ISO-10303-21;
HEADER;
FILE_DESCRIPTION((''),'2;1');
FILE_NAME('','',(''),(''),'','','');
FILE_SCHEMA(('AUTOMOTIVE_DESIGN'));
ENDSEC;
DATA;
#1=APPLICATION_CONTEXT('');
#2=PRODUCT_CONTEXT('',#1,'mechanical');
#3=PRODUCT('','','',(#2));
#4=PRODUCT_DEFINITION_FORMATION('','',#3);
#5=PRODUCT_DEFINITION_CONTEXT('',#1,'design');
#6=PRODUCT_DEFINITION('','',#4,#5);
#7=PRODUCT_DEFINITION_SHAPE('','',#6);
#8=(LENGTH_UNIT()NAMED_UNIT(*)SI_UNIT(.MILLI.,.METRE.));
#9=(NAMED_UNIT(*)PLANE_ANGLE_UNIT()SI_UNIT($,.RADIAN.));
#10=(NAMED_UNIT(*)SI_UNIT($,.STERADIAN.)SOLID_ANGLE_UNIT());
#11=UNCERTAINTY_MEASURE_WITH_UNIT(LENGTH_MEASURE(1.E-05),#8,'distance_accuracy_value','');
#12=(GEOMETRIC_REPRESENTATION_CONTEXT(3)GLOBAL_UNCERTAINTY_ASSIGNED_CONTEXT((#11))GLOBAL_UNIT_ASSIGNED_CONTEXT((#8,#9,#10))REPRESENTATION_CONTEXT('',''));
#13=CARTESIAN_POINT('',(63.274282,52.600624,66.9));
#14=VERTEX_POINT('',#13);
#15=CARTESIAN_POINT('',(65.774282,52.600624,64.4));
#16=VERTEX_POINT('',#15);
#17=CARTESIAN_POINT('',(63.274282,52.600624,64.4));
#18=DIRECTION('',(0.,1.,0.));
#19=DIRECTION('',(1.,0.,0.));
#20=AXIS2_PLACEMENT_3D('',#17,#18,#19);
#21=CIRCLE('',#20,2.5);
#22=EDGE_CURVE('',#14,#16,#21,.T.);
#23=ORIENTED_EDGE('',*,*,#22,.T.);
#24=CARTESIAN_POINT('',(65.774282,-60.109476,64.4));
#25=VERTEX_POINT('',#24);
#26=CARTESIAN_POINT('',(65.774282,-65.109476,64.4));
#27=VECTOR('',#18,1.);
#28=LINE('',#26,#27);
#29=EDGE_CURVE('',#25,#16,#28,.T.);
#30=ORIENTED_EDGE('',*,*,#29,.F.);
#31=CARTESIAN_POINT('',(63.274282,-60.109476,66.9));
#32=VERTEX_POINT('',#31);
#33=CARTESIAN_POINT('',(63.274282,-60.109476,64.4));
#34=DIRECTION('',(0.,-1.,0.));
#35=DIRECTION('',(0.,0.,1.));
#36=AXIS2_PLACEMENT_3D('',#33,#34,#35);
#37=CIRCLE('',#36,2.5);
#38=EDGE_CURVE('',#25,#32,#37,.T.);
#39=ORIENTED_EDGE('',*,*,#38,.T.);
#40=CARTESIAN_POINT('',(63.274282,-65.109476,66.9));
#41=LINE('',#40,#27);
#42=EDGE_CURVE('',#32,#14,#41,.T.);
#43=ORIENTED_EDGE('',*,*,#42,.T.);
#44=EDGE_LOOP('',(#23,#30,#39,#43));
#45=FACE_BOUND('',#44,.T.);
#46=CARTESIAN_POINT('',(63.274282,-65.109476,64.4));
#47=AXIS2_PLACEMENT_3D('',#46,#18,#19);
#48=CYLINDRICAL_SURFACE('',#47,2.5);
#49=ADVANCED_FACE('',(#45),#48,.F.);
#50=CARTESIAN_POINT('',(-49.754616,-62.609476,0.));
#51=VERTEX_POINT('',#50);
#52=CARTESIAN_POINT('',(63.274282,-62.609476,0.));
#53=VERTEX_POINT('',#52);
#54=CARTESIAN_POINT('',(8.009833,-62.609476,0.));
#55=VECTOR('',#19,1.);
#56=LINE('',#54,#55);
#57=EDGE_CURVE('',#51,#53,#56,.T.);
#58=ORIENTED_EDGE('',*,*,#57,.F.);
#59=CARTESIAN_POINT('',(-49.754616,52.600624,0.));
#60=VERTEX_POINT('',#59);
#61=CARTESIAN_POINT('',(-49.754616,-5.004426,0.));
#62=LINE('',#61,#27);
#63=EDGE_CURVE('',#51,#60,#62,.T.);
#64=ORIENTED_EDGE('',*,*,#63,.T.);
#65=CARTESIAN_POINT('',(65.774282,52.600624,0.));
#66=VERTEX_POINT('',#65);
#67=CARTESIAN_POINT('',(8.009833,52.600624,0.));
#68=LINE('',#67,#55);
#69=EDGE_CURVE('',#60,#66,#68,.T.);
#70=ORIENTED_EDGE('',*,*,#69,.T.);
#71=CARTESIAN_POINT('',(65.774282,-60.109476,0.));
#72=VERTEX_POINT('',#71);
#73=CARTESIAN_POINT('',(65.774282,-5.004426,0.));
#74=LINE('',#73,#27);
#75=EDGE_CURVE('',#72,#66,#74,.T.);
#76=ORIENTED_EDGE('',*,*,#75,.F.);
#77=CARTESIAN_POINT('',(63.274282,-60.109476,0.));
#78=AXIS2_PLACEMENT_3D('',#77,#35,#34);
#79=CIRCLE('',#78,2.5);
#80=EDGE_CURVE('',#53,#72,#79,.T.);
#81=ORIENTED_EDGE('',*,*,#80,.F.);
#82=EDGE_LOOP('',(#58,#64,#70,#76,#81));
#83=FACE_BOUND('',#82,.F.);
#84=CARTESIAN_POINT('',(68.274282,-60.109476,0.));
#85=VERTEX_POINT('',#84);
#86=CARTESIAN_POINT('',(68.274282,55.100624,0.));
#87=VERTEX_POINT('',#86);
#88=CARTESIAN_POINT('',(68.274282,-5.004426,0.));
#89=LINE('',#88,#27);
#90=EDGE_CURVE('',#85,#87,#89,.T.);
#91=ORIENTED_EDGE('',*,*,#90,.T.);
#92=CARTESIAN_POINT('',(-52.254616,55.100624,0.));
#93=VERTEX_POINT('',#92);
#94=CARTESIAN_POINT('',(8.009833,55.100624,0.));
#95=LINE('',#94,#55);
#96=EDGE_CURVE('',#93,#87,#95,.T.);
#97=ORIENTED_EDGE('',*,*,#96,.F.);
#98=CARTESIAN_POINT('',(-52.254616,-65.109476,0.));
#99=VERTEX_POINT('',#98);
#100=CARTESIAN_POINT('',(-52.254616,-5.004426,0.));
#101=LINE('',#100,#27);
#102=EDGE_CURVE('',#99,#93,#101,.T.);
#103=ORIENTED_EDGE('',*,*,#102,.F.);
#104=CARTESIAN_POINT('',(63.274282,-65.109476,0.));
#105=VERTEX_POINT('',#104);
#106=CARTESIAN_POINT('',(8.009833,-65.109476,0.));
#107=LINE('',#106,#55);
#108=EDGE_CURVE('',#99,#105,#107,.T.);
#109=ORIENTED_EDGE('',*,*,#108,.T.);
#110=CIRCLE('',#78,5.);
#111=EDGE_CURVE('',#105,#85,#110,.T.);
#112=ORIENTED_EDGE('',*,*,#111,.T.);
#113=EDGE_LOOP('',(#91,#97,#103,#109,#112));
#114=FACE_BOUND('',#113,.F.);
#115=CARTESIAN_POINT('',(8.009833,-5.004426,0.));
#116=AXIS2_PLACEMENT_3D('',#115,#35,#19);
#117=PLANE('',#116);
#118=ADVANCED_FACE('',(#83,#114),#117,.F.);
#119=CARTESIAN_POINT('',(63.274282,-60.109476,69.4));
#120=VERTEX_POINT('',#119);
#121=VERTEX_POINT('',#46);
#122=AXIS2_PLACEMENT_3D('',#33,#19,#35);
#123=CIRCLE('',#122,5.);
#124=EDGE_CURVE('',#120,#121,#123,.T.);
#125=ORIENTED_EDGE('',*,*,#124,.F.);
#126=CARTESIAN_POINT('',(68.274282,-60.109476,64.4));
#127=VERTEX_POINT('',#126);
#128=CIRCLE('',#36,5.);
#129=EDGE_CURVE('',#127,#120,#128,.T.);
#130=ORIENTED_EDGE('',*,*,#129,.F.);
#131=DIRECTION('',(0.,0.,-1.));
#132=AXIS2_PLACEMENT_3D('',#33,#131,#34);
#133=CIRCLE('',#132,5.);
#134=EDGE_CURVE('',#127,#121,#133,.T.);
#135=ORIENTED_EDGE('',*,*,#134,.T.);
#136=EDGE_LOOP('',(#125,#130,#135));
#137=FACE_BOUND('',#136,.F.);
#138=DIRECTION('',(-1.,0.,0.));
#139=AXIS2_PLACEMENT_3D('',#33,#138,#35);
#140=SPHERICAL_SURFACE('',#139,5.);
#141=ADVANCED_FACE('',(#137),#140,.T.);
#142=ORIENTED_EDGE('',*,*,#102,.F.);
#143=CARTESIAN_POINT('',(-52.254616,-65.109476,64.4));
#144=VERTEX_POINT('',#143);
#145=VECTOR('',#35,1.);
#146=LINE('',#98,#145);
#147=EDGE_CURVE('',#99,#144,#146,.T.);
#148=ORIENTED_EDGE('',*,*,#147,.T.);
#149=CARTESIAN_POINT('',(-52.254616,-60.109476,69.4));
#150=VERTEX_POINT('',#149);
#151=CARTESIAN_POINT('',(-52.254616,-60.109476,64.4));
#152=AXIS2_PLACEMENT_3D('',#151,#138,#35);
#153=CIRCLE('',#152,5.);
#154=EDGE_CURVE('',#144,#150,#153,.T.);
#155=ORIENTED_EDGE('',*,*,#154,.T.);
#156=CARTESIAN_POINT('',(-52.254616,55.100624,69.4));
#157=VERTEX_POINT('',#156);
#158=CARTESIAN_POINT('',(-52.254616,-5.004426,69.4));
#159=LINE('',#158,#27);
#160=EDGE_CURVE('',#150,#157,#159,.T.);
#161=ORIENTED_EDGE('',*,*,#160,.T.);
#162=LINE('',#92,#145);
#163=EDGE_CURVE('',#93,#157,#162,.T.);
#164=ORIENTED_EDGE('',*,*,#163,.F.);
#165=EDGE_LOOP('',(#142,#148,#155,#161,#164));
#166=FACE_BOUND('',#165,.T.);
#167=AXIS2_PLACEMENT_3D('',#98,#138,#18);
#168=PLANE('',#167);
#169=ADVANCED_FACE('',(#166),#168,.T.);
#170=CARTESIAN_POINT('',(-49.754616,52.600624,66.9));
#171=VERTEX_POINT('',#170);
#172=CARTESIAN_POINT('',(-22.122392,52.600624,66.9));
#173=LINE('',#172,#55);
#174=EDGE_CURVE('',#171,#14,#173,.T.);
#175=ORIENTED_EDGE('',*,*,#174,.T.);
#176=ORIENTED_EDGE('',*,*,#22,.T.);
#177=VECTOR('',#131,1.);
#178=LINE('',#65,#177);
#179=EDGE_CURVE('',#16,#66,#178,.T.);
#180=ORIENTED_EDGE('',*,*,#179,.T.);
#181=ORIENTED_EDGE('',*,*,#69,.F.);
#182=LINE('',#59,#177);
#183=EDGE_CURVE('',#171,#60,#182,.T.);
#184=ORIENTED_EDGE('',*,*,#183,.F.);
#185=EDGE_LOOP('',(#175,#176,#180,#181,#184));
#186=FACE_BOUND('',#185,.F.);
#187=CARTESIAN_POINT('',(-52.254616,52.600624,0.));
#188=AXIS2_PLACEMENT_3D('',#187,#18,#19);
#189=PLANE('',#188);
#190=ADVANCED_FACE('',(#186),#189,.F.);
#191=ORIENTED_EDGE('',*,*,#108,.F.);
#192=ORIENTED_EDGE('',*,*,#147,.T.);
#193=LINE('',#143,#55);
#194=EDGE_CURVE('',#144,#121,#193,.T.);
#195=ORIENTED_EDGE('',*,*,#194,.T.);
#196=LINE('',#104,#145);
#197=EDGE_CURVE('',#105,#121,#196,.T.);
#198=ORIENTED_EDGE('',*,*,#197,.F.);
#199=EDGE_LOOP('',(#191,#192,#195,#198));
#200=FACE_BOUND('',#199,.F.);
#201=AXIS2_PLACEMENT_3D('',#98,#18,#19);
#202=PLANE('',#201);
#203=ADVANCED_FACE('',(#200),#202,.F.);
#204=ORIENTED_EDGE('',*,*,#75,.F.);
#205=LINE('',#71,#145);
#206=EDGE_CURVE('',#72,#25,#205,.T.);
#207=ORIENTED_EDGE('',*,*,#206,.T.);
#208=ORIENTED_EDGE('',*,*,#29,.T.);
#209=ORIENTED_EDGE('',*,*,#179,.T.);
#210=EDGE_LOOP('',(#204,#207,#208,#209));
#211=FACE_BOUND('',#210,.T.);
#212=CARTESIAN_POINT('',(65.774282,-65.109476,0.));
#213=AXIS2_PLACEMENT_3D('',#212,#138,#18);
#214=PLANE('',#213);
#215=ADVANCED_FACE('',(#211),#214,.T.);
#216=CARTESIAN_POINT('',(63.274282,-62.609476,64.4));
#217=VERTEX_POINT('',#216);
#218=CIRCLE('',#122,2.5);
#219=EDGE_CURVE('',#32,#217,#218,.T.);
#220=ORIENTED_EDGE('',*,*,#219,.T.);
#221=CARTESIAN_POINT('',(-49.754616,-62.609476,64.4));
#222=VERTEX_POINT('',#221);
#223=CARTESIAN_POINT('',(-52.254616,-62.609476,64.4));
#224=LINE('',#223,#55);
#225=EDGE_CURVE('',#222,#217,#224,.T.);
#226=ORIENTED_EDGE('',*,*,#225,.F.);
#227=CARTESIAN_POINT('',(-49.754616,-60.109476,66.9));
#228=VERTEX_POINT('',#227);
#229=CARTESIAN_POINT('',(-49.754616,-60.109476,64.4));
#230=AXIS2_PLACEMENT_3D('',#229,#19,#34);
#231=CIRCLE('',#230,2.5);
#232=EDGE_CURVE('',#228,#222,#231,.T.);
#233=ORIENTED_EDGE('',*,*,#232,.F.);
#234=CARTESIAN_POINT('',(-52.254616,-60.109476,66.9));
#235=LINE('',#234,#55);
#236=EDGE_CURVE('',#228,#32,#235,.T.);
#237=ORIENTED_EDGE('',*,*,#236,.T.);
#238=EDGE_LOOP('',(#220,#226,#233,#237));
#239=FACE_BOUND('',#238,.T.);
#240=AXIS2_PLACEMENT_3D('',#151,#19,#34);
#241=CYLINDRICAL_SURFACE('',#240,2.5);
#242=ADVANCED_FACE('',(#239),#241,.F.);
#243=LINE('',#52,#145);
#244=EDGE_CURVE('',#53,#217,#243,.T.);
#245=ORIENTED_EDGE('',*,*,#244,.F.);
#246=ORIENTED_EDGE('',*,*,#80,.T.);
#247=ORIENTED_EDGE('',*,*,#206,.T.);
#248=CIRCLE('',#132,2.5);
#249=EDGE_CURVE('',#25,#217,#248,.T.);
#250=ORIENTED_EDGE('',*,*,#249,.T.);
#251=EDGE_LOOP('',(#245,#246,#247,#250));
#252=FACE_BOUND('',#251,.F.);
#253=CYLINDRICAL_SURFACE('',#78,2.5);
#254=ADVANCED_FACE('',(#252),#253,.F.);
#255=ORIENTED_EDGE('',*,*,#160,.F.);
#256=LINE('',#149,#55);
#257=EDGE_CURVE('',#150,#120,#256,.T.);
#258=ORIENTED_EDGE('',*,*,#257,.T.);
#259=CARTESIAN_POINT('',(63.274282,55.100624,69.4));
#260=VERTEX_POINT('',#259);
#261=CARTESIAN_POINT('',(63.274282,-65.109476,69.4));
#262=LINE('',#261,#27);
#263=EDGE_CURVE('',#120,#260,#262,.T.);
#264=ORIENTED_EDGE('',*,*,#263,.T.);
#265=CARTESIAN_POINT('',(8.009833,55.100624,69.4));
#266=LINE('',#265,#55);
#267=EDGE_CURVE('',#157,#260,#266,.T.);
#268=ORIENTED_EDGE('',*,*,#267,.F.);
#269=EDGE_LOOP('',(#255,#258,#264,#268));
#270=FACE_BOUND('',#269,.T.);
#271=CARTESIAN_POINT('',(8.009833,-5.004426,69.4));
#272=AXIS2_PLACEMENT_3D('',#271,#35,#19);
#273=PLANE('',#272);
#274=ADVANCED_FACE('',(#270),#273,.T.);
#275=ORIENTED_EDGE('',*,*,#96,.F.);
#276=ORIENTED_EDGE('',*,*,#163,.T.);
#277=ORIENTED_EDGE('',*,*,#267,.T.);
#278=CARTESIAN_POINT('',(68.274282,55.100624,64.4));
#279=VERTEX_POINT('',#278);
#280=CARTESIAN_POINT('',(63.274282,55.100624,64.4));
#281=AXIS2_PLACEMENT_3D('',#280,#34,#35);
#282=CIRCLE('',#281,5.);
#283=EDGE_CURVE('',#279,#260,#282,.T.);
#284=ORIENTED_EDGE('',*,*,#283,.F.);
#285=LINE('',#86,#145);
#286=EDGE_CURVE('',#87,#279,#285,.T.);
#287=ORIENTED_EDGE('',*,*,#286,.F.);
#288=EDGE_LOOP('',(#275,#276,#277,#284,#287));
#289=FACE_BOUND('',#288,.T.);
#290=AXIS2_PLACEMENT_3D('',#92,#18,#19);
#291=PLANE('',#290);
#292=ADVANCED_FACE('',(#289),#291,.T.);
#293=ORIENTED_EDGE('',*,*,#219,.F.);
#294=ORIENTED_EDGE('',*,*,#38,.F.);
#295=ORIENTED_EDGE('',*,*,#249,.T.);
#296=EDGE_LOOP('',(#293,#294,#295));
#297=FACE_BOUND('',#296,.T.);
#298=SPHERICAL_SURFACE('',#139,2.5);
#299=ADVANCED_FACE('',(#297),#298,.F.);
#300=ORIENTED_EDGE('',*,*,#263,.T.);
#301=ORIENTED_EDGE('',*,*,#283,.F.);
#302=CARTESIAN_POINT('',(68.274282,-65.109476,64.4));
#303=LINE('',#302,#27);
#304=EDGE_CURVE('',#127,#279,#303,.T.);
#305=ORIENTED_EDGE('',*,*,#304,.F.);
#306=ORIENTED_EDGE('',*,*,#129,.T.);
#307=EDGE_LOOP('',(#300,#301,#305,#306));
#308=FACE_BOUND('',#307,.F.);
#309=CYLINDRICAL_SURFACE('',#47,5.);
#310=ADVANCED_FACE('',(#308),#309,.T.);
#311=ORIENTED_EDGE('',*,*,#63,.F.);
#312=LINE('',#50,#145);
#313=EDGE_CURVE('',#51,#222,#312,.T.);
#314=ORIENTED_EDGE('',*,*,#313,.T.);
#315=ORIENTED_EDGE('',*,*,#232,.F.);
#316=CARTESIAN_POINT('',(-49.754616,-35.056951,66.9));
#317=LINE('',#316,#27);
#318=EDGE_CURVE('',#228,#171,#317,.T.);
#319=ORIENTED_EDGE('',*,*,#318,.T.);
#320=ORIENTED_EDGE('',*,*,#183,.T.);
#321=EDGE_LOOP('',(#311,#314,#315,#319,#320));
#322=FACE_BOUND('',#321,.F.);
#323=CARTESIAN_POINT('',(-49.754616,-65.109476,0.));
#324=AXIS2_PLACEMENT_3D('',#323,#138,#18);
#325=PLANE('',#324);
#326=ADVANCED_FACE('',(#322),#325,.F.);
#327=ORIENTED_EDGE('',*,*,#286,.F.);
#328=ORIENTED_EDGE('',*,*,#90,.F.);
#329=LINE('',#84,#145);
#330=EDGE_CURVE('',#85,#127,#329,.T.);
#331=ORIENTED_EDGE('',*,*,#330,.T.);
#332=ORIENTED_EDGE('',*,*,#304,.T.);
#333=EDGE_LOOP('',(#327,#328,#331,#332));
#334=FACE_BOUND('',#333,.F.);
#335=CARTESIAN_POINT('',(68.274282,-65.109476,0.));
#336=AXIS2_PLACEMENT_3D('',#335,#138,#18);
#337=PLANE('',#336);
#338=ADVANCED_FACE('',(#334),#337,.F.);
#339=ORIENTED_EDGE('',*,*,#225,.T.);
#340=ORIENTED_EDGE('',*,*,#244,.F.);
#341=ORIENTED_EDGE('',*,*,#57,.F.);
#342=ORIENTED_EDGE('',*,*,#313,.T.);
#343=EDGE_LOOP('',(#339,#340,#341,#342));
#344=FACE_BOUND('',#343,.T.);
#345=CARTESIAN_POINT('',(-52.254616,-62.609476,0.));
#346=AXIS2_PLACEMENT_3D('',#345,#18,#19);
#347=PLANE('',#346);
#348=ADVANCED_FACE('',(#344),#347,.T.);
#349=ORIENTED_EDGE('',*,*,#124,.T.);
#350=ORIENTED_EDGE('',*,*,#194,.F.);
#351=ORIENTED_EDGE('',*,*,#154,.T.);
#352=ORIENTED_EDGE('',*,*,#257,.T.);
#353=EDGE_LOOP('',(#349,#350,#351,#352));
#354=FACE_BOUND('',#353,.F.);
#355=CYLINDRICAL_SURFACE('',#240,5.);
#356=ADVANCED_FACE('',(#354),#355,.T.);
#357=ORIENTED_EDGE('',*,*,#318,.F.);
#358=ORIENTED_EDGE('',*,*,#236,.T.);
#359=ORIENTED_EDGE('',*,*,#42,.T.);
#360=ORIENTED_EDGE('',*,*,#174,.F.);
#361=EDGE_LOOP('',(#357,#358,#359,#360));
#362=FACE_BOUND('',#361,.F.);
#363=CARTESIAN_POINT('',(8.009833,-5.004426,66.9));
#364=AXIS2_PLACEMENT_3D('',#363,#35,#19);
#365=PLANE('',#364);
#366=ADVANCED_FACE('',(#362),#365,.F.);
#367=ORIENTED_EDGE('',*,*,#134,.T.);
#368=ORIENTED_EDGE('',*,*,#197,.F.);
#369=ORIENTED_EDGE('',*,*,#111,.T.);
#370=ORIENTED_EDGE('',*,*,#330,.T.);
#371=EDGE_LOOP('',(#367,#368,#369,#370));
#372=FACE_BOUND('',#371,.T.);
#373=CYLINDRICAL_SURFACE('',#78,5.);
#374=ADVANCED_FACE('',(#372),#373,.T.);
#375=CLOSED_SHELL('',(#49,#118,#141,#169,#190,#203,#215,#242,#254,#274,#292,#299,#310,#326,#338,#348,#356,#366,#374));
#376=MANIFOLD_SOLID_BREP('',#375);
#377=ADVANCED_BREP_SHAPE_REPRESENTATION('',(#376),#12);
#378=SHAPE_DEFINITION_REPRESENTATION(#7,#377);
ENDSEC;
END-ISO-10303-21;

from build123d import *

# Parameters (mm, degrees)
F0_W     = 120.528899
F0_H     = 120.2101
F1_DEPTH = 69.4
F2_R     = 5
F3_T     = -2.5


with BuildPart() as f1:
    # F0 (on Top) → F1 (new body)
    with BuildSketch(Plane.XY):
        with Locations((8.009833, -5.004426)):
            Rectangle(F0_W, F0_H)
    extrude(amount=F1_DEPTH)

    # F2
    f2_edges = [f1.edges().sort_by_distance(p)[0] for p in [
        (8.009832, -65.109476, 69.4),
        (68.274282, -5.004426, 69.4),
        (68.274282, -65.109476, 34.7),
    ]]
    fillet(f2_edges, radius=F2_R)

    # F3
    f3_openings = [f1.faces().sort_by_distance(p)[0] for p in [
        (7.987923, -4.982576, 0),
    ]]
    offset(amount=F3_T, openings=f3_openings)


solid = f1.part
